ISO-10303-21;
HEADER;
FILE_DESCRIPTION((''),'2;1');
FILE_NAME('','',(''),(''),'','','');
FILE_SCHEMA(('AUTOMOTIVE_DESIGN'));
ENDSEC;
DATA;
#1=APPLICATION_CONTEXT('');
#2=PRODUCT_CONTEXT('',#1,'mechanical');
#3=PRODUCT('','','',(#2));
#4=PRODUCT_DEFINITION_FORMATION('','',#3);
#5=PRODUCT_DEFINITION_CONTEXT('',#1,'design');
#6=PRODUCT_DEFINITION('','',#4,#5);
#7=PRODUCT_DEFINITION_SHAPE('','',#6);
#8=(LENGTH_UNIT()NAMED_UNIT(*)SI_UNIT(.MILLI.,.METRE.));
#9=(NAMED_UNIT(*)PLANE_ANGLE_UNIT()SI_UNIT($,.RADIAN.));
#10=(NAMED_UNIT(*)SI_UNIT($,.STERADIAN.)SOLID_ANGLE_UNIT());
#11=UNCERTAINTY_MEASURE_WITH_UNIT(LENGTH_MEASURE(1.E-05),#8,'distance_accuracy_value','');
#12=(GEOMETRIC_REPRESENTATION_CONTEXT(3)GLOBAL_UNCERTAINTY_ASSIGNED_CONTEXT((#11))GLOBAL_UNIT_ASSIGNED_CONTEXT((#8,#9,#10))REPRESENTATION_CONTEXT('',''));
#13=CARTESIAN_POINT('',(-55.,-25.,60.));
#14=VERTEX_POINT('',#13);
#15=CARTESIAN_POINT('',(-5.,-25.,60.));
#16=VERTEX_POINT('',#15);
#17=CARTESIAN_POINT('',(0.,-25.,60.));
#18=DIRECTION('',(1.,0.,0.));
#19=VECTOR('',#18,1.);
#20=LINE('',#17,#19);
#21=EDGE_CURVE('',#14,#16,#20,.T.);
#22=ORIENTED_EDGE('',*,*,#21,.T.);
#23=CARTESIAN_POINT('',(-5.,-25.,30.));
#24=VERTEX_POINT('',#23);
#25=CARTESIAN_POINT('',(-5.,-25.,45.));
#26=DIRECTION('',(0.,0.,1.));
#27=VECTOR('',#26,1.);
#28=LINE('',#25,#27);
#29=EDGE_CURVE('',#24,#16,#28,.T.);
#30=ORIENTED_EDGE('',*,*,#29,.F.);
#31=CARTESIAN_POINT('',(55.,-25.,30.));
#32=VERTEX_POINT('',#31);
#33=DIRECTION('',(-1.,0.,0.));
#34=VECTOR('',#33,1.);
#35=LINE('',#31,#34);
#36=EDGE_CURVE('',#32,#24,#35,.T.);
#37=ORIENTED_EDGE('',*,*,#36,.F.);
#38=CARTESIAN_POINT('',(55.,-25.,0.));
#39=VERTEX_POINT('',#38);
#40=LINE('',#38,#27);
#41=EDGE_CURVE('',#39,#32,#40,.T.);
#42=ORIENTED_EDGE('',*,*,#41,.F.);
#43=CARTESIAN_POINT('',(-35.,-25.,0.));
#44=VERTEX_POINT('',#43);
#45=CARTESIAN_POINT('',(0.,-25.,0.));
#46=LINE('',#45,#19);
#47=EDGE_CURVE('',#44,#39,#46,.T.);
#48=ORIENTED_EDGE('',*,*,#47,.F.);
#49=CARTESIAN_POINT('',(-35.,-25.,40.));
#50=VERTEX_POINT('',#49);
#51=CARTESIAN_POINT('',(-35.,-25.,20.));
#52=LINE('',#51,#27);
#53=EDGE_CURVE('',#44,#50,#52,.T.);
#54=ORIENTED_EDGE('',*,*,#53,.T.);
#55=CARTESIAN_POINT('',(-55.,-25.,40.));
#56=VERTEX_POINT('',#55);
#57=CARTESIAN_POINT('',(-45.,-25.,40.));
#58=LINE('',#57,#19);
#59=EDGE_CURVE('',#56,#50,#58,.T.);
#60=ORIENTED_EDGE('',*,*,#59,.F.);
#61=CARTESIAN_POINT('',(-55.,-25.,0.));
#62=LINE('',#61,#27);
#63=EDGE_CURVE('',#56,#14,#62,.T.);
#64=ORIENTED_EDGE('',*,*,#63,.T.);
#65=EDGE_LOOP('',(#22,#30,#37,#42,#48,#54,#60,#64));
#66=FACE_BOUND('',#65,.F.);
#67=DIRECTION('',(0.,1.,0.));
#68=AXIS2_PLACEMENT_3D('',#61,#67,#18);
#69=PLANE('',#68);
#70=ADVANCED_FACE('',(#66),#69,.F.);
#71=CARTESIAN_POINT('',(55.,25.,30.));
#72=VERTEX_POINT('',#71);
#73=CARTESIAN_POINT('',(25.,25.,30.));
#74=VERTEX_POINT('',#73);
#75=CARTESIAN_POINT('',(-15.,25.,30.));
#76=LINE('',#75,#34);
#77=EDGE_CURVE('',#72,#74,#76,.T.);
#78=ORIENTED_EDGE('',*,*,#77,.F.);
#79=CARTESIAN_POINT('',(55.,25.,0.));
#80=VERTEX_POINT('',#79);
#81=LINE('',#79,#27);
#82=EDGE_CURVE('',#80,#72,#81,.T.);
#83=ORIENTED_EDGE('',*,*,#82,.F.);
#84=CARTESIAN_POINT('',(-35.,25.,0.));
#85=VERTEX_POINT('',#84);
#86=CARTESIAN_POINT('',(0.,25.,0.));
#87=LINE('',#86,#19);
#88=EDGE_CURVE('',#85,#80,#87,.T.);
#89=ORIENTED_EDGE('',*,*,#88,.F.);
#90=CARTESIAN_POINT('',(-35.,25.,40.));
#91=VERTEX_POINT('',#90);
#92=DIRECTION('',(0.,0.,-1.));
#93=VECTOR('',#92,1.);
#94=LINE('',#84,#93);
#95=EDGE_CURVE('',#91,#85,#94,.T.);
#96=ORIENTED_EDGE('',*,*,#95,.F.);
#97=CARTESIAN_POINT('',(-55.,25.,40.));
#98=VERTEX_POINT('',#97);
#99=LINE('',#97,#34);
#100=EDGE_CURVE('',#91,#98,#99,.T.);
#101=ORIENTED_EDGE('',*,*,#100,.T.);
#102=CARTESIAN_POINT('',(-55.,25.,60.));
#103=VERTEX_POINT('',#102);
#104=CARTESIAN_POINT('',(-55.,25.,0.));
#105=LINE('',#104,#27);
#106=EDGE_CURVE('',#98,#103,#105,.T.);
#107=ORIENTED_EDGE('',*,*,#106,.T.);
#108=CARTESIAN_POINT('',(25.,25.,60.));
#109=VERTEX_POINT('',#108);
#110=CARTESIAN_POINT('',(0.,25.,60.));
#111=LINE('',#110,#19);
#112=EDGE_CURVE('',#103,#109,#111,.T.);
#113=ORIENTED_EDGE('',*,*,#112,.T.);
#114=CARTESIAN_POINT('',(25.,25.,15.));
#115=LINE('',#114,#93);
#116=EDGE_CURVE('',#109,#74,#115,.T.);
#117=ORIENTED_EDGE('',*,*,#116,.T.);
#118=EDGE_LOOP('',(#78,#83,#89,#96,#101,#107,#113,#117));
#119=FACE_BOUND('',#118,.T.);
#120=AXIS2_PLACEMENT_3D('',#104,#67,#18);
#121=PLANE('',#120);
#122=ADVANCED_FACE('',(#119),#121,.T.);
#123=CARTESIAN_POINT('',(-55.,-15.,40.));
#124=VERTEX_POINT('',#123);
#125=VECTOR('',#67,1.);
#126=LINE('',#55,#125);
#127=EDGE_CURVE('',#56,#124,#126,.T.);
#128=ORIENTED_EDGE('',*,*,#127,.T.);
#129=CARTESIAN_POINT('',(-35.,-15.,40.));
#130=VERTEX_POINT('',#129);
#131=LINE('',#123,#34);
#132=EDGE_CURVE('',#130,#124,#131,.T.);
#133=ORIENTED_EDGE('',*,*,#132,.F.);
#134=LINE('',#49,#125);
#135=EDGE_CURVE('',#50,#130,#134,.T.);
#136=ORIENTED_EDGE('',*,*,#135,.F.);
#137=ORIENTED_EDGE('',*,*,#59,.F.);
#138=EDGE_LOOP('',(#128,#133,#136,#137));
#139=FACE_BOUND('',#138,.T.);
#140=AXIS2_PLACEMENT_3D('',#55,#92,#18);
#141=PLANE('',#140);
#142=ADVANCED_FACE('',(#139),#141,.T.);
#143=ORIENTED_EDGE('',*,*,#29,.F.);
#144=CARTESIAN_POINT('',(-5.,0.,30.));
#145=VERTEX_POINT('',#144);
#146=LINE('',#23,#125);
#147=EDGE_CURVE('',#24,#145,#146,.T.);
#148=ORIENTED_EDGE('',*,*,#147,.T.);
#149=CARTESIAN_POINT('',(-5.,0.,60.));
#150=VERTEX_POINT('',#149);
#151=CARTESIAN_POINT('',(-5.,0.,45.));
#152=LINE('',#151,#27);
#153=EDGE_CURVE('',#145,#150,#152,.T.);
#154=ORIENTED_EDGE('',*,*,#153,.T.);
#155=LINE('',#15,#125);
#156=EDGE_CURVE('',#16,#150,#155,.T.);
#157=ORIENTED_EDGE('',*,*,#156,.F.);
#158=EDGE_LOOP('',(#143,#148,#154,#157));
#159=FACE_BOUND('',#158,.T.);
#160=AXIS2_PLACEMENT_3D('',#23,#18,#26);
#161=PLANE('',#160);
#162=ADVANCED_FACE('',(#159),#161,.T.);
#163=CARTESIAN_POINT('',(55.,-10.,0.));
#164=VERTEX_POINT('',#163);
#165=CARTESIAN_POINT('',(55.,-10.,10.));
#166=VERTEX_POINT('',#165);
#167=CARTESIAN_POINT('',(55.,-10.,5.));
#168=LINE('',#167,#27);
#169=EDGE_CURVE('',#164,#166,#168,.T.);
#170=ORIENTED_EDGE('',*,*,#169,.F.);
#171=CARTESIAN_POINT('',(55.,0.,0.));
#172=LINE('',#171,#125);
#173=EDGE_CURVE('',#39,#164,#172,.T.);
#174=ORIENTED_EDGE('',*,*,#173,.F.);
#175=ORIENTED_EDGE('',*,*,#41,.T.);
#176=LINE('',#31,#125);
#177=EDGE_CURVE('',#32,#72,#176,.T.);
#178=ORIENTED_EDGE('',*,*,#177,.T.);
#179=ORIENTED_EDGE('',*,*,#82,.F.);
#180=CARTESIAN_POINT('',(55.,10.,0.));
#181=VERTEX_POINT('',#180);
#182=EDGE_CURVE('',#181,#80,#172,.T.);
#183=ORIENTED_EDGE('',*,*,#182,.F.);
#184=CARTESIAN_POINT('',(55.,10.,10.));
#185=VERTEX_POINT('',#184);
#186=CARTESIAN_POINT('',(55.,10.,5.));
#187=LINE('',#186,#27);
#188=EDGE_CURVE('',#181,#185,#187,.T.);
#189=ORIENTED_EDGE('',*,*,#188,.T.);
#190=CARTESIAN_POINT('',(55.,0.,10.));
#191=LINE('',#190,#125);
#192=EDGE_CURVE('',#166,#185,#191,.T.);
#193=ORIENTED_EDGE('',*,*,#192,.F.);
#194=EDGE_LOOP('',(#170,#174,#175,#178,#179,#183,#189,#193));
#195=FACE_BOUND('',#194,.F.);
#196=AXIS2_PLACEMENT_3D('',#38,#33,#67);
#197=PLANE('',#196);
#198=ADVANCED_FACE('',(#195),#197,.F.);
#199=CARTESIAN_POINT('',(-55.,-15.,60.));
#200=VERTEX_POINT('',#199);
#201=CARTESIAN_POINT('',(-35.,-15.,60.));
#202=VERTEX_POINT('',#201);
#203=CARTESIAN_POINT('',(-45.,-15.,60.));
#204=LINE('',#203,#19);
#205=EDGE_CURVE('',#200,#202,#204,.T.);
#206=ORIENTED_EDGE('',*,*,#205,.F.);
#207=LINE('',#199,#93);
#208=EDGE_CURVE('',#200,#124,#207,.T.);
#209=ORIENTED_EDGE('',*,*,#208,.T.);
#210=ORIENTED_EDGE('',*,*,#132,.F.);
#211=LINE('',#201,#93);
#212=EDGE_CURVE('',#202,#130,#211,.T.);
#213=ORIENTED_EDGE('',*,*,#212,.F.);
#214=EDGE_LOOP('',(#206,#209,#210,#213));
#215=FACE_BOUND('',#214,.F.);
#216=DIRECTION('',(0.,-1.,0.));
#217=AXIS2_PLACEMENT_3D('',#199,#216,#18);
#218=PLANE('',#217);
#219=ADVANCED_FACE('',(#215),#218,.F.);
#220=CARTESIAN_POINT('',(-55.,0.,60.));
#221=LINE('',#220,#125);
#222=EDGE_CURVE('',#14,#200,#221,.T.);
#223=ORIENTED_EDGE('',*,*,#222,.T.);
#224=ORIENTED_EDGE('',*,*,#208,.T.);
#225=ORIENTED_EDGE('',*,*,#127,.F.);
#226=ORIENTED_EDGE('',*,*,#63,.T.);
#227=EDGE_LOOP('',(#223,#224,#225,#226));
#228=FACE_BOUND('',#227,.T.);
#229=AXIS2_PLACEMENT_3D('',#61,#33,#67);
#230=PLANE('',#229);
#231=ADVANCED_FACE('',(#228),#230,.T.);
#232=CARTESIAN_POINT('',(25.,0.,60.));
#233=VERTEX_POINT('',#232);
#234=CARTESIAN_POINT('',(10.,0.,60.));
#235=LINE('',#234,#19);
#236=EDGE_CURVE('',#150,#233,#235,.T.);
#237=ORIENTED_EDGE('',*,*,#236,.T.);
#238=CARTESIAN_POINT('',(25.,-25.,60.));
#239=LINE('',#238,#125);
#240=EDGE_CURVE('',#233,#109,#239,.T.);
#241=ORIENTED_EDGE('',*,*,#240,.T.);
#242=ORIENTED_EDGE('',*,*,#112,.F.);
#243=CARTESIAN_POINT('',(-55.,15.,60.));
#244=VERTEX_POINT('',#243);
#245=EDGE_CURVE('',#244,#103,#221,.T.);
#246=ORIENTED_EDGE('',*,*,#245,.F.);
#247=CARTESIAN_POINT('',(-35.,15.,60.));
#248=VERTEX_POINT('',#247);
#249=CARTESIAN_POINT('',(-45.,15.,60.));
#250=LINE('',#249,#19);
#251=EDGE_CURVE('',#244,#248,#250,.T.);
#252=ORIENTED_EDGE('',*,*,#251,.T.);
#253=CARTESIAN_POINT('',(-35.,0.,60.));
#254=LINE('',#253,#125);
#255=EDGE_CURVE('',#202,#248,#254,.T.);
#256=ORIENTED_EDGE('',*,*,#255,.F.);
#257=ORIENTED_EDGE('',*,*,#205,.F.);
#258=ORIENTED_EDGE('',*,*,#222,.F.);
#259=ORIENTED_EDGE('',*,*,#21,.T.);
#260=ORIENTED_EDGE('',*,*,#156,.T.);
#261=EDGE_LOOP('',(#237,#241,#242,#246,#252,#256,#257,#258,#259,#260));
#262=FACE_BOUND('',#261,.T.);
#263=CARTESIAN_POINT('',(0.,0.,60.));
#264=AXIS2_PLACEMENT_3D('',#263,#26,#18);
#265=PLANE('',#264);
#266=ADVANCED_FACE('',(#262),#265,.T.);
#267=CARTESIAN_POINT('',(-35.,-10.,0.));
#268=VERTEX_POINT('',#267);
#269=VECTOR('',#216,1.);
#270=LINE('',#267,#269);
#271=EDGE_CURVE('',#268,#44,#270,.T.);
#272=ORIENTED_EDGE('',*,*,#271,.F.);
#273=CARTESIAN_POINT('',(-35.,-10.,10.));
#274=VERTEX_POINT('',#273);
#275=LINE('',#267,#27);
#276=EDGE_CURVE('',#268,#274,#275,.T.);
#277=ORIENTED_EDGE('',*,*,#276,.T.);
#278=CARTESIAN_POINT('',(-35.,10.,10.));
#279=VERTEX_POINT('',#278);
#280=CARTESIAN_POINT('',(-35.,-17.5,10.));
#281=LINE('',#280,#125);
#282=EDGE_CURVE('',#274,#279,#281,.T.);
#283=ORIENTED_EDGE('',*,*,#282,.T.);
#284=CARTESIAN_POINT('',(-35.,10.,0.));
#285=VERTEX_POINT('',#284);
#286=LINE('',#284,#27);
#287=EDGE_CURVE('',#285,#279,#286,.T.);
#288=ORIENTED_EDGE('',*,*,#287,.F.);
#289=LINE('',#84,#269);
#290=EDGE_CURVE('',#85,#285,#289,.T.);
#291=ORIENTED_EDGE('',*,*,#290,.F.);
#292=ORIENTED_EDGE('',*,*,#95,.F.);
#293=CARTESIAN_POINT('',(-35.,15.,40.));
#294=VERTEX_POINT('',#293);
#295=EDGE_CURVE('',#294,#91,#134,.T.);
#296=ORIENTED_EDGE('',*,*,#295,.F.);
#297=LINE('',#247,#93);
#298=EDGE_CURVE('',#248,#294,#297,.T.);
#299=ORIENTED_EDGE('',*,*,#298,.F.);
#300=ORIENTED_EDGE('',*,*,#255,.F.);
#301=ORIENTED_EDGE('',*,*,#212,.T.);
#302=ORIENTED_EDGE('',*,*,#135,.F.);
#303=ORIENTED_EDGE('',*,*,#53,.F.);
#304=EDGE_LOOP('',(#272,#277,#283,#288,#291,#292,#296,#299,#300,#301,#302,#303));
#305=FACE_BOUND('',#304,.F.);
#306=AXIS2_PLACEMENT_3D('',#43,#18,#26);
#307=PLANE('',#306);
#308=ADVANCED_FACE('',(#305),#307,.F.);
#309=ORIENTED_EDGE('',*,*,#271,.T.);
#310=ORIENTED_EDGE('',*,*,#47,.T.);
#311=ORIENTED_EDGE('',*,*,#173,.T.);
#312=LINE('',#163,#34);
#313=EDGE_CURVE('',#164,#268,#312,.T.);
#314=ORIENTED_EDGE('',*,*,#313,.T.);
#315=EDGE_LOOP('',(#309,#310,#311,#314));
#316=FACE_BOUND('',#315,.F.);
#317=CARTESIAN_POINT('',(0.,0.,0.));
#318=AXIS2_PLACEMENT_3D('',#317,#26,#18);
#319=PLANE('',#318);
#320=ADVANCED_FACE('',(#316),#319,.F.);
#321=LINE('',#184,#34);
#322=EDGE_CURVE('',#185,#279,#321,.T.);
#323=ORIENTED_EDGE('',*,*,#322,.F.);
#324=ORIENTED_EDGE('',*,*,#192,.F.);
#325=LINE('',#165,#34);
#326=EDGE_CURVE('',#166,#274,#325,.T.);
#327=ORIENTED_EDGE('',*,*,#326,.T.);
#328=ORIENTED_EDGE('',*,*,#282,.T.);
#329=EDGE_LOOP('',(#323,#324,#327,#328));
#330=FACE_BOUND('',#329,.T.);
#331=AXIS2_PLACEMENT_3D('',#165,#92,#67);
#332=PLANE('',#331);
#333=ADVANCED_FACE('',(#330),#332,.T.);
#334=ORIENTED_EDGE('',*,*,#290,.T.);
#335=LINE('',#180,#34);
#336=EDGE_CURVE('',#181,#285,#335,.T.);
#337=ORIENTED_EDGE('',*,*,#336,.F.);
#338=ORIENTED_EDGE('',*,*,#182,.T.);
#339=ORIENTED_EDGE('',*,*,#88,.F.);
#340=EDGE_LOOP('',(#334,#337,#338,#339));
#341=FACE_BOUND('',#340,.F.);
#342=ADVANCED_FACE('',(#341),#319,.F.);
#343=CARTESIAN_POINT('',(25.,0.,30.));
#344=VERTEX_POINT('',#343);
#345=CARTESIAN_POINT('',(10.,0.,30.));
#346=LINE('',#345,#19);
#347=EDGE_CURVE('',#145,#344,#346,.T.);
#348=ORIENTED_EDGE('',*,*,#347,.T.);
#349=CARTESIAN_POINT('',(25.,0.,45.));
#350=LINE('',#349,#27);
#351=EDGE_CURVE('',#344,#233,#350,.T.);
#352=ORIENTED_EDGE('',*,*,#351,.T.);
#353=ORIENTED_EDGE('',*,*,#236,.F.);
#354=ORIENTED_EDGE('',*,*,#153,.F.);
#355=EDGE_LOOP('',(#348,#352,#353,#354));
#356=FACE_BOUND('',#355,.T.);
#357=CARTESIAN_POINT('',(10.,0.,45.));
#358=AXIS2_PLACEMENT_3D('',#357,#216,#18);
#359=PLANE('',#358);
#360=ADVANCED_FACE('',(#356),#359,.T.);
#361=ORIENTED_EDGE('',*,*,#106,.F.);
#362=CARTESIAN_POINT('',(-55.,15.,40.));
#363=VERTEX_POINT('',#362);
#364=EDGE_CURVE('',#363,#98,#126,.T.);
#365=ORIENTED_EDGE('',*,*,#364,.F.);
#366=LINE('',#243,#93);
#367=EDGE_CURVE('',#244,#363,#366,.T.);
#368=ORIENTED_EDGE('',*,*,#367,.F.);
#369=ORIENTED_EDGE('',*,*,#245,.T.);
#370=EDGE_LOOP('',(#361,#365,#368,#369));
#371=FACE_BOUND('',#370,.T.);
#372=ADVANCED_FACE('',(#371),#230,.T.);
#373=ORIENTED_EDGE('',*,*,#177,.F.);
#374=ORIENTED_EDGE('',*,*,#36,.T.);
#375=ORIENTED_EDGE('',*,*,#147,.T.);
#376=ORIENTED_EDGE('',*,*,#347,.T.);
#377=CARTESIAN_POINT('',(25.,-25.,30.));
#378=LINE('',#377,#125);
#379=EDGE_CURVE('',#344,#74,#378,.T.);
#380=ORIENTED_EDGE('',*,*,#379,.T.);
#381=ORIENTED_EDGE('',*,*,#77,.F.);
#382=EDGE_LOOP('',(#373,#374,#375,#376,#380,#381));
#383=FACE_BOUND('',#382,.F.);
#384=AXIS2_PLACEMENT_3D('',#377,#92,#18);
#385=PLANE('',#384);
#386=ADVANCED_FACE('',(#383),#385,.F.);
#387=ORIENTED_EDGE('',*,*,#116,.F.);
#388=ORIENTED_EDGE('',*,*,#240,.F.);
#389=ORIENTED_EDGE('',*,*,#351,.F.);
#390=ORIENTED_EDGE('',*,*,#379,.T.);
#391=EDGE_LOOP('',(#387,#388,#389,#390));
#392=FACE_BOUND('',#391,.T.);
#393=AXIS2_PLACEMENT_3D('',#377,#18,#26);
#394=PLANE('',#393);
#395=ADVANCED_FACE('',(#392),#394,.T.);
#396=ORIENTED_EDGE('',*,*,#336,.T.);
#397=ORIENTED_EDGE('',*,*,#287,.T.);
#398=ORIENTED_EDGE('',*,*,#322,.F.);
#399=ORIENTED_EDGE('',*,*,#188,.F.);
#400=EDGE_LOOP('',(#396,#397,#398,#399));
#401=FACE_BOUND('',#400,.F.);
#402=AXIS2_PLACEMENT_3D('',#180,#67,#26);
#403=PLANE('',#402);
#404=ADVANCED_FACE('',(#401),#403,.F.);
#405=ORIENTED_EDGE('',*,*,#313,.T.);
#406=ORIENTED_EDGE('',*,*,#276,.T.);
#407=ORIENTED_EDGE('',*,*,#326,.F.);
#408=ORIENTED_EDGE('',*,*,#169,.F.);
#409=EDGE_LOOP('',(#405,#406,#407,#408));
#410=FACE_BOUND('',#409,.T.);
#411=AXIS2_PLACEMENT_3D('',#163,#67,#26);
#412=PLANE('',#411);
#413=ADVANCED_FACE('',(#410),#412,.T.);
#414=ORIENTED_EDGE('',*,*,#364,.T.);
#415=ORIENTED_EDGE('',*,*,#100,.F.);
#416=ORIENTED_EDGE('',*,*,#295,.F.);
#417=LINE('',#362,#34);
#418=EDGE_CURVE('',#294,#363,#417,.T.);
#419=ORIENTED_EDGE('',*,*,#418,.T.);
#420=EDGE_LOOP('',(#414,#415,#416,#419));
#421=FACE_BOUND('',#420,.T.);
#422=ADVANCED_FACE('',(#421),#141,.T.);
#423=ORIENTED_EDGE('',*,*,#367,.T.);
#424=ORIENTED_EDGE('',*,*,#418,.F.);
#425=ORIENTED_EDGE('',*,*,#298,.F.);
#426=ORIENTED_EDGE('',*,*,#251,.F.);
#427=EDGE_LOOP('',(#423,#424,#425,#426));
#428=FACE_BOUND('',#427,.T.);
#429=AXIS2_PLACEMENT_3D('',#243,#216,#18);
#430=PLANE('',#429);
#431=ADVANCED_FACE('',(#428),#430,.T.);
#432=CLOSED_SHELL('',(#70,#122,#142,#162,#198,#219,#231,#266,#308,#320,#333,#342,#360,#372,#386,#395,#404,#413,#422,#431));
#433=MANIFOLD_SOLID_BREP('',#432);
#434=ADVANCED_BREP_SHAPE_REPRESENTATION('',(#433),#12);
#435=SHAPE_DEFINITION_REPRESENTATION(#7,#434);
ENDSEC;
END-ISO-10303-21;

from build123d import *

# Parameters (mm, degrees)
F0_W      = 110
F0_H      = 50
F1_DEPTH  = 60
F2_W      = 30
F2_H      = 30
F3_DEPTH  = 50.001
F4_W      = 20
F4_H      = 40
F5_DEPTH  = 50.001
F6_W      = 30
F6_H      = 30
F7_DEPTH  = 25
F8_W      = 20
F8_H      = 10
F9_DEPTH  = 110.001
F10_W     = 20
F10_H     = 30
F11_DEPTH = 60.001


with BuildPart() as f1:
    # F0 (on Top) → F1 (new body)
    with BuildSketch(Plane.XY):
        Rectangle(F0_W, F0_H)
    extrude(amount=F1_DEPTH)

    # F2 (on face) → F3 (cut, through all)
    with BuildSketch(Plane.XZ.offset(25)):
        with Locations((40, 45)):
            Rectangle(F2_W, F2_H)
    extrude(amount=-F3_DEPTH, mode=Mode.SUBTRACT)

    # F4 (on face) → F5 (cut, through all)
    with BuildSketch(Plane.XZ.offset(25)):
        with Locations((-45, 20)):
            Rectangle(F4_W, F4_H)
    extrude(amount=-F5_DEPTH, mode=Mode.SUBTRACT)

    # F6 (on face) → F7 (cut)
    with BuildSketch(Plane.XZ.offset(25)):
        with Locations((10, 45)):
            Rectangle(F6_W, F6_H)
    extrude(amount=-F7_DEPTH, mode=Mode.SUBTRACT)

    # F8 (on face) → F9 (cut, through all)
    with BuildSketch(Plane.YZ.offset(55)):
        with Locations((0, 5)):
            Rectangle(F8_W, F8_H)
    extrude(amount=-F9_DEPTH, mode=Mode.SUBTRACT)

    # F10 (on face) → F11 (cut, through all)
    with BuildSketch(Plane.XY.offset(60)):
        with Locations((-45, 0)):
            Rectangle(F10_W, F10_H)
    extrude(amount=-F11_DEPTH, mode=Mode.SUBTRACT)


solid = f1.part
